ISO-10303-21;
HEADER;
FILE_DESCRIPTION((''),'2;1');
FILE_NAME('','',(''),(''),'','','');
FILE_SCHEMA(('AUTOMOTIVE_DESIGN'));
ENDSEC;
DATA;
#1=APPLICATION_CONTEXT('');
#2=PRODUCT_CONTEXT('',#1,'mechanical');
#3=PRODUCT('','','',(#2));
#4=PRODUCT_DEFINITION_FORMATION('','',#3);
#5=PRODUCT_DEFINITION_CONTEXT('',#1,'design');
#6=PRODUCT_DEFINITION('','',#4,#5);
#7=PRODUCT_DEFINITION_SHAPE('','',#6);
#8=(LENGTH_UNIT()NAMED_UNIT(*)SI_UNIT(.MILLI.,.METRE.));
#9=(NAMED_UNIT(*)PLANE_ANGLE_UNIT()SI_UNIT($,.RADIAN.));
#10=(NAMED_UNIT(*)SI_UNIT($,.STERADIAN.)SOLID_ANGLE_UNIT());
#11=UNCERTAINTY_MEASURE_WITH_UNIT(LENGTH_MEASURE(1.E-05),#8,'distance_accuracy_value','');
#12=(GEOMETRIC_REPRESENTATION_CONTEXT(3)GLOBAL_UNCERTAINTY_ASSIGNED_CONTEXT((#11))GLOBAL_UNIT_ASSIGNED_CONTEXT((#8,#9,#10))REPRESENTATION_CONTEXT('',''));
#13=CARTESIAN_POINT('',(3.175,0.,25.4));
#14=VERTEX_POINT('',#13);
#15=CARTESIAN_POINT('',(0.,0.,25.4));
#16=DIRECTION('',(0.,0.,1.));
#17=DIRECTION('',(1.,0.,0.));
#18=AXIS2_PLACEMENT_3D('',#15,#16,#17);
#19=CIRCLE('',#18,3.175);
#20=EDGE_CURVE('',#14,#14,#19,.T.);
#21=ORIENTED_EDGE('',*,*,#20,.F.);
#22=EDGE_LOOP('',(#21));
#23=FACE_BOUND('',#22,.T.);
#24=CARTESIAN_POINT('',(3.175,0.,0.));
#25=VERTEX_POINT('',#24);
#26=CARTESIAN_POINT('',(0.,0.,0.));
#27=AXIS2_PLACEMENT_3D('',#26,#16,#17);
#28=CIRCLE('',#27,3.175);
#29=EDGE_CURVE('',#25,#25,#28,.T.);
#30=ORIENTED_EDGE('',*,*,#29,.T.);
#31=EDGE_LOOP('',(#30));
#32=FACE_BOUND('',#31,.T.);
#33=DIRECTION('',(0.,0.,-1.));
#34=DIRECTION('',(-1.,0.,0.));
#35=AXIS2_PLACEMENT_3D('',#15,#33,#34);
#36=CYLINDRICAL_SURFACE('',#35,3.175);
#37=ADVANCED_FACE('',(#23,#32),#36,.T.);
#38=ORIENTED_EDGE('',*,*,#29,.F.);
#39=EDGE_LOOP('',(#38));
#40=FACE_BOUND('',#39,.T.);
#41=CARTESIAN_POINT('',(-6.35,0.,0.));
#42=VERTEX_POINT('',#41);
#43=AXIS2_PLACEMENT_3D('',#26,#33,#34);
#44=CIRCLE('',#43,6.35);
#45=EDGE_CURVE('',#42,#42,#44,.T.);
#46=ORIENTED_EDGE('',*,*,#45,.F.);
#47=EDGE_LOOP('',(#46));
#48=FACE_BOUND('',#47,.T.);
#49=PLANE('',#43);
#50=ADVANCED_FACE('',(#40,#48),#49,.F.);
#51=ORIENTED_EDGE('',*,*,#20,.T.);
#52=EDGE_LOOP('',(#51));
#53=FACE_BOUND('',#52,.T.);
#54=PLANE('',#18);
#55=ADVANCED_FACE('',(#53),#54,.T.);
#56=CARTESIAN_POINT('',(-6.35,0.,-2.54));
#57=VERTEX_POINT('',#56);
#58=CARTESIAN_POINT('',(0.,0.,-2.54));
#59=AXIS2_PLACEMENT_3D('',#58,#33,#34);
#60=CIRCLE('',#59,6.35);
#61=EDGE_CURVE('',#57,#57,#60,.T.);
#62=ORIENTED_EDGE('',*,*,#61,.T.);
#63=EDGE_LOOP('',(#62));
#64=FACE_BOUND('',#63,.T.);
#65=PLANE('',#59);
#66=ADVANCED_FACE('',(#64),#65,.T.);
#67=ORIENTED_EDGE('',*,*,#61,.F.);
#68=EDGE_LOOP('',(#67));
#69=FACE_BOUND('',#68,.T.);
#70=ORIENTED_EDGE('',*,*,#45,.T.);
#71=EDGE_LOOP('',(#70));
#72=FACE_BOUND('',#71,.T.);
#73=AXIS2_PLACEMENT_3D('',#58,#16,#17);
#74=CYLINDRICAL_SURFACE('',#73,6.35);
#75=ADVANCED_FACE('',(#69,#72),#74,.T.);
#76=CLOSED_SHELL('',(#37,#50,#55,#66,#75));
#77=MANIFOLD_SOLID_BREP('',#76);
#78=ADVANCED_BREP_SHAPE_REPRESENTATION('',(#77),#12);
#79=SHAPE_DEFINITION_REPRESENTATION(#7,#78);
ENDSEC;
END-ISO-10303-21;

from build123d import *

# Parameters (mm, degrees)
SKETCH1_R           = 3.175
BOSS_EXTRUDE1_DEPTH = 25.4
SKETCH2_R           = 6.35
BOSS_EXTRUDE2_DEPTH = 2.54


with BuildPart() as part:
    # Sketch1 → Boss-Extrude1 (new body)
    with BuildSketch(Plane.XY):
        Circle(SKETCH1_R)
    extrude(amount=BOSS_EXTRUDE1_DEPTH)

    # Sketch2 → Boss-Extrude2 (add)
    with BuildSketch(Plane(origin=(0, 0, 0), x_dir=(-1, 0, 0), z_dir=(0, 0, -1))):
        Circle(SKETCH2_R)
    extrude(amount=BOSS_EXTRUDE2_DEPTH)


solid = part.part
